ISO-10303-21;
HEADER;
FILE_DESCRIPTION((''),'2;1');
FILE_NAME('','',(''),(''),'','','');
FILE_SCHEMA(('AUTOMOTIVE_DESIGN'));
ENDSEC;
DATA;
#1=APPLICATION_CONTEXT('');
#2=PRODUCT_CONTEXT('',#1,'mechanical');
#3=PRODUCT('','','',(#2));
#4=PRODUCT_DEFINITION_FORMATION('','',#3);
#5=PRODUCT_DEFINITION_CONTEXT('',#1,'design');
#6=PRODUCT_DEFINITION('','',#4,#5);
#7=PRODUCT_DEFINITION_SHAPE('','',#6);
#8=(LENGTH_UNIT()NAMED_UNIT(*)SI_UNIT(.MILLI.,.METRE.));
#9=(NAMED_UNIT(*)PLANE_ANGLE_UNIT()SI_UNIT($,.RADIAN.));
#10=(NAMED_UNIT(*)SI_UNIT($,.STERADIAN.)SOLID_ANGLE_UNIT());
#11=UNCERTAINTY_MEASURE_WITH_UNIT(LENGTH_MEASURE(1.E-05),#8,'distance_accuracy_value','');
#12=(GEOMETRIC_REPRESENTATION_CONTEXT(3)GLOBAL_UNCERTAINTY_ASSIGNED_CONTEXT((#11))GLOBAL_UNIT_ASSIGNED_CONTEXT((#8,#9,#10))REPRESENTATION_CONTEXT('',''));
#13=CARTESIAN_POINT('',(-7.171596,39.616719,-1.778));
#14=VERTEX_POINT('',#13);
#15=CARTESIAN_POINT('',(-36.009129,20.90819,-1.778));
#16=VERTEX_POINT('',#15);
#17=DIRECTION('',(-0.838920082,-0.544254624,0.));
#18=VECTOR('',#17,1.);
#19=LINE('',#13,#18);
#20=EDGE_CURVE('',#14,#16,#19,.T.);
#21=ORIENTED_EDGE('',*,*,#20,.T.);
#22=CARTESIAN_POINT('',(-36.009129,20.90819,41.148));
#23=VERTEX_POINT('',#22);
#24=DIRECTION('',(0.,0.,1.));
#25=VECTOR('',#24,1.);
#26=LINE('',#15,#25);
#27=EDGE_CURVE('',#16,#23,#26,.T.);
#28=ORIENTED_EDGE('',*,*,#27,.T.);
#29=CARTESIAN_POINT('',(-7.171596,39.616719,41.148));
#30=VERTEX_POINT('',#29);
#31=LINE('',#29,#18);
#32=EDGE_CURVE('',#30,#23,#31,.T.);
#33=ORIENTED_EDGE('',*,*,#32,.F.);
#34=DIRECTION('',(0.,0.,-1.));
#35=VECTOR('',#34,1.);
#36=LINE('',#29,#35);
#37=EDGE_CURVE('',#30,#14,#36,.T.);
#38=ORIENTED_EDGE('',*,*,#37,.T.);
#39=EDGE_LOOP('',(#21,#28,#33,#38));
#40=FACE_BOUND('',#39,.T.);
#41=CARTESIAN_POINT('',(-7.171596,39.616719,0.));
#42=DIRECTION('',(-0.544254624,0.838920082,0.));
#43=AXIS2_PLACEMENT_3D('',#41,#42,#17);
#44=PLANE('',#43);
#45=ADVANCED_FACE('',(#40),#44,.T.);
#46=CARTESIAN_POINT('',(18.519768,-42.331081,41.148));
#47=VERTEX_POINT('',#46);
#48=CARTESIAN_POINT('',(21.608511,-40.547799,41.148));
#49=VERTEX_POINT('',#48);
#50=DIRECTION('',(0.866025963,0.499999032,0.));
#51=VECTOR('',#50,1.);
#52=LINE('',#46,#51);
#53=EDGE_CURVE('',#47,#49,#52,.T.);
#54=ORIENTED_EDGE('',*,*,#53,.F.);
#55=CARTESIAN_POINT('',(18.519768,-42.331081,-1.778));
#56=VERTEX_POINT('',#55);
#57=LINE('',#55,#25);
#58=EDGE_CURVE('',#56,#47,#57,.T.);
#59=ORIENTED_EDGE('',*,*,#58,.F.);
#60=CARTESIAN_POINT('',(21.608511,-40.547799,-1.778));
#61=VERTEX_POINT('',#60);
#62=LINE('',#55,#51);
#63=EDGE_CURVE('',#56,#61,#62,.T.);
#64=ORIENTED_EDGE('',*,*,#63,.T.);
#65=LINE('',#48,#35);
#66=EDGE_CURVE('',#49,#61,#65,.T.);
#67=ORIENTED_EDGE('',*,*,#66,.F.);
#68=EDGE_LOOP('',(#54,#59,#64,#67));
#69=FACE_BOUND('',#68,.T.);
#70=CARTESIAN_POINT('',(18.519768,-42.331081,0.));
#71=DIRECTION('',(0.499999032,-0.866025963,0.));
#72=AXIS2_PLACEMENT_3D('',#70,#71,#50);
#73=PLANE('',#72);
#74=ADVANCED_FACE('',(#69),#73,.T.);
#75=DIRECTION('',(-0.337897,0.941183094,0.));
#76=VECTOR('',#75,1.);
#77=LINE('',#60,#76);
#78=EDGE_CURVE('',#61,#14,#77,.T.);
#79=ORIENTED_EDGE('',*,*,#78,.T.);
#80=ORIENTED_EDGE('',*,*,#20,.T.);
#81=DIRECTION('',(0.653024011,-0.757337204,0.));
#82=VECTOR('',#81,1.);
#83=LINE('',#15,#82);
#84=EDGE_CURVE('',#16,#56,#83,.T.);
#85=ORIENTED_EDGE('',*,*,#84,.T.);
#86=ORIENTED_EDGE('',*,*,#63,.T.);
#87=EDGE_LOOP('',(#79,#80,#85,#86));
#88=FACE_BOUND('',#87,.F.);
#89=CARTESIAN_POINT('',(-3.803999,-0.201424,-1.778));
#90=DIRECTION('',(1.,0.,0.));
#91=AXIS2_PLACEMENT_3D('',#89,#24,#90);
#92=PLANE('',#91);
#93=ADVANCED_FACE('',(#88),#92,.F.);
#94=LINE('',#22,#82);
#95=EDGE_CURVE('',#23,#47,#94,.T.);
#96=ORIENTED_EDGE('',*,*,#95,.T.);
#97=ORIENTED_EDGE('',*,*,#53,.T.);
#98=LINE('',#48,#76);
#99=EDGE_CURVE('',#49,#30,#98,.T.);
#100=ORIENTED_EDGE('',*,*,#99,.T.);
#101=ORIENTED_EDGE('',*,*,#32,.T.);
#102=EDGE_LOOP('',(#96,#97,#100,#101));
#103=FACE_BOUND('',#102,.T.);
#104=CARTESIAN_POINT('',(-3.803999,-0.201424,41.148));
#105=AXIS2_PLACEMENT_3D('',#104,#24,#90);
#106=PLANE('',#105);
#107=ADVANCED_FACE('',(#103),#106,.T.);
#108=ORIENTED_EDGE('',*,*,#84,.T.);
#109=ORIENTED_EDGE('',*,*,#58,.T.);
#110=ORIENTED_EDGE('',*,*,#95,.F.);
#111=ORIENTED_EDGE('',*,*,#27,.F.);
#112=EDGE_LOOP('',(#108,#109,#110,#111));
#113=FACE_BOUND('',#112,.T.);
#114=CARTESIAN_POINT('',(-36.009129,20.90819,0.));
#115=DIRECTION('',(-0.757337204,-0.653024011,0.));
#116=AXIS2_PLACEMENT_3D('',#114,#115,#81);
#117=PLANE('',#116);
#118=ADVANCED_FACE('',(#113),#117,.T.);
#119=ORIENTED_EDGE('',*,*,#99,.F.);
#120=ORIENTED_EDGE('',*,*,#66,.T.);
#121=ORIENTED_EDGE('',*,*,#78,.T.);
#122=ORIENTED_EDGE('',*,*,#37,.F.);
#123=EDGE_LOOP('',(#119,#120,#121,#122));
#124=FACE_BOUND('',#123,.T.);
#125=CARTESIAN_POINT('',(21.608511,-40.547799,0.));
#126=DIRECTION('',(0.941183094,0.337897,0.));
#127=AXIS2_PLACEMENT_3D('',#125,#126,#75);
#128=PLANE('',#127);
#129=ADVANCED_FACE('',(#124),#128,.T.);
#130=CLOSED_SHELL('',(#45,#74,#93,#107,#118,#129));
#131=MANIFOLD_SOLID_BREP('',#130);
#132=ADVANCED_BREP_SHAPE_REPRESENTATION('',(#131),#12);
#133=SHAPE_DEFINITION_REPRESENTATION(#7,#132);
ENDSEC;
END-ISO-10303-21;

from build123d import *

# Parameters (mm, degrees)
F1_DEPTH      = 41.148
F1_DEPTH_BACK = 1.778


with BuildPart() as f1:
    # F0 (on Top) → F1 (new body, two sides)
    with BuildSketch(Plane.XY) as f1_sk:
        Polygon((-7.171596, 39.616719), (-36.009129, 20.90819), (18.519768, -42.331081), (21.608511, -40.547799), align=None)
    extrude(amount=F1_DEPTH)
    extrude(f1_sk.sketch, amount=-F1_DEPTH_BACK)


solid = f1.part
